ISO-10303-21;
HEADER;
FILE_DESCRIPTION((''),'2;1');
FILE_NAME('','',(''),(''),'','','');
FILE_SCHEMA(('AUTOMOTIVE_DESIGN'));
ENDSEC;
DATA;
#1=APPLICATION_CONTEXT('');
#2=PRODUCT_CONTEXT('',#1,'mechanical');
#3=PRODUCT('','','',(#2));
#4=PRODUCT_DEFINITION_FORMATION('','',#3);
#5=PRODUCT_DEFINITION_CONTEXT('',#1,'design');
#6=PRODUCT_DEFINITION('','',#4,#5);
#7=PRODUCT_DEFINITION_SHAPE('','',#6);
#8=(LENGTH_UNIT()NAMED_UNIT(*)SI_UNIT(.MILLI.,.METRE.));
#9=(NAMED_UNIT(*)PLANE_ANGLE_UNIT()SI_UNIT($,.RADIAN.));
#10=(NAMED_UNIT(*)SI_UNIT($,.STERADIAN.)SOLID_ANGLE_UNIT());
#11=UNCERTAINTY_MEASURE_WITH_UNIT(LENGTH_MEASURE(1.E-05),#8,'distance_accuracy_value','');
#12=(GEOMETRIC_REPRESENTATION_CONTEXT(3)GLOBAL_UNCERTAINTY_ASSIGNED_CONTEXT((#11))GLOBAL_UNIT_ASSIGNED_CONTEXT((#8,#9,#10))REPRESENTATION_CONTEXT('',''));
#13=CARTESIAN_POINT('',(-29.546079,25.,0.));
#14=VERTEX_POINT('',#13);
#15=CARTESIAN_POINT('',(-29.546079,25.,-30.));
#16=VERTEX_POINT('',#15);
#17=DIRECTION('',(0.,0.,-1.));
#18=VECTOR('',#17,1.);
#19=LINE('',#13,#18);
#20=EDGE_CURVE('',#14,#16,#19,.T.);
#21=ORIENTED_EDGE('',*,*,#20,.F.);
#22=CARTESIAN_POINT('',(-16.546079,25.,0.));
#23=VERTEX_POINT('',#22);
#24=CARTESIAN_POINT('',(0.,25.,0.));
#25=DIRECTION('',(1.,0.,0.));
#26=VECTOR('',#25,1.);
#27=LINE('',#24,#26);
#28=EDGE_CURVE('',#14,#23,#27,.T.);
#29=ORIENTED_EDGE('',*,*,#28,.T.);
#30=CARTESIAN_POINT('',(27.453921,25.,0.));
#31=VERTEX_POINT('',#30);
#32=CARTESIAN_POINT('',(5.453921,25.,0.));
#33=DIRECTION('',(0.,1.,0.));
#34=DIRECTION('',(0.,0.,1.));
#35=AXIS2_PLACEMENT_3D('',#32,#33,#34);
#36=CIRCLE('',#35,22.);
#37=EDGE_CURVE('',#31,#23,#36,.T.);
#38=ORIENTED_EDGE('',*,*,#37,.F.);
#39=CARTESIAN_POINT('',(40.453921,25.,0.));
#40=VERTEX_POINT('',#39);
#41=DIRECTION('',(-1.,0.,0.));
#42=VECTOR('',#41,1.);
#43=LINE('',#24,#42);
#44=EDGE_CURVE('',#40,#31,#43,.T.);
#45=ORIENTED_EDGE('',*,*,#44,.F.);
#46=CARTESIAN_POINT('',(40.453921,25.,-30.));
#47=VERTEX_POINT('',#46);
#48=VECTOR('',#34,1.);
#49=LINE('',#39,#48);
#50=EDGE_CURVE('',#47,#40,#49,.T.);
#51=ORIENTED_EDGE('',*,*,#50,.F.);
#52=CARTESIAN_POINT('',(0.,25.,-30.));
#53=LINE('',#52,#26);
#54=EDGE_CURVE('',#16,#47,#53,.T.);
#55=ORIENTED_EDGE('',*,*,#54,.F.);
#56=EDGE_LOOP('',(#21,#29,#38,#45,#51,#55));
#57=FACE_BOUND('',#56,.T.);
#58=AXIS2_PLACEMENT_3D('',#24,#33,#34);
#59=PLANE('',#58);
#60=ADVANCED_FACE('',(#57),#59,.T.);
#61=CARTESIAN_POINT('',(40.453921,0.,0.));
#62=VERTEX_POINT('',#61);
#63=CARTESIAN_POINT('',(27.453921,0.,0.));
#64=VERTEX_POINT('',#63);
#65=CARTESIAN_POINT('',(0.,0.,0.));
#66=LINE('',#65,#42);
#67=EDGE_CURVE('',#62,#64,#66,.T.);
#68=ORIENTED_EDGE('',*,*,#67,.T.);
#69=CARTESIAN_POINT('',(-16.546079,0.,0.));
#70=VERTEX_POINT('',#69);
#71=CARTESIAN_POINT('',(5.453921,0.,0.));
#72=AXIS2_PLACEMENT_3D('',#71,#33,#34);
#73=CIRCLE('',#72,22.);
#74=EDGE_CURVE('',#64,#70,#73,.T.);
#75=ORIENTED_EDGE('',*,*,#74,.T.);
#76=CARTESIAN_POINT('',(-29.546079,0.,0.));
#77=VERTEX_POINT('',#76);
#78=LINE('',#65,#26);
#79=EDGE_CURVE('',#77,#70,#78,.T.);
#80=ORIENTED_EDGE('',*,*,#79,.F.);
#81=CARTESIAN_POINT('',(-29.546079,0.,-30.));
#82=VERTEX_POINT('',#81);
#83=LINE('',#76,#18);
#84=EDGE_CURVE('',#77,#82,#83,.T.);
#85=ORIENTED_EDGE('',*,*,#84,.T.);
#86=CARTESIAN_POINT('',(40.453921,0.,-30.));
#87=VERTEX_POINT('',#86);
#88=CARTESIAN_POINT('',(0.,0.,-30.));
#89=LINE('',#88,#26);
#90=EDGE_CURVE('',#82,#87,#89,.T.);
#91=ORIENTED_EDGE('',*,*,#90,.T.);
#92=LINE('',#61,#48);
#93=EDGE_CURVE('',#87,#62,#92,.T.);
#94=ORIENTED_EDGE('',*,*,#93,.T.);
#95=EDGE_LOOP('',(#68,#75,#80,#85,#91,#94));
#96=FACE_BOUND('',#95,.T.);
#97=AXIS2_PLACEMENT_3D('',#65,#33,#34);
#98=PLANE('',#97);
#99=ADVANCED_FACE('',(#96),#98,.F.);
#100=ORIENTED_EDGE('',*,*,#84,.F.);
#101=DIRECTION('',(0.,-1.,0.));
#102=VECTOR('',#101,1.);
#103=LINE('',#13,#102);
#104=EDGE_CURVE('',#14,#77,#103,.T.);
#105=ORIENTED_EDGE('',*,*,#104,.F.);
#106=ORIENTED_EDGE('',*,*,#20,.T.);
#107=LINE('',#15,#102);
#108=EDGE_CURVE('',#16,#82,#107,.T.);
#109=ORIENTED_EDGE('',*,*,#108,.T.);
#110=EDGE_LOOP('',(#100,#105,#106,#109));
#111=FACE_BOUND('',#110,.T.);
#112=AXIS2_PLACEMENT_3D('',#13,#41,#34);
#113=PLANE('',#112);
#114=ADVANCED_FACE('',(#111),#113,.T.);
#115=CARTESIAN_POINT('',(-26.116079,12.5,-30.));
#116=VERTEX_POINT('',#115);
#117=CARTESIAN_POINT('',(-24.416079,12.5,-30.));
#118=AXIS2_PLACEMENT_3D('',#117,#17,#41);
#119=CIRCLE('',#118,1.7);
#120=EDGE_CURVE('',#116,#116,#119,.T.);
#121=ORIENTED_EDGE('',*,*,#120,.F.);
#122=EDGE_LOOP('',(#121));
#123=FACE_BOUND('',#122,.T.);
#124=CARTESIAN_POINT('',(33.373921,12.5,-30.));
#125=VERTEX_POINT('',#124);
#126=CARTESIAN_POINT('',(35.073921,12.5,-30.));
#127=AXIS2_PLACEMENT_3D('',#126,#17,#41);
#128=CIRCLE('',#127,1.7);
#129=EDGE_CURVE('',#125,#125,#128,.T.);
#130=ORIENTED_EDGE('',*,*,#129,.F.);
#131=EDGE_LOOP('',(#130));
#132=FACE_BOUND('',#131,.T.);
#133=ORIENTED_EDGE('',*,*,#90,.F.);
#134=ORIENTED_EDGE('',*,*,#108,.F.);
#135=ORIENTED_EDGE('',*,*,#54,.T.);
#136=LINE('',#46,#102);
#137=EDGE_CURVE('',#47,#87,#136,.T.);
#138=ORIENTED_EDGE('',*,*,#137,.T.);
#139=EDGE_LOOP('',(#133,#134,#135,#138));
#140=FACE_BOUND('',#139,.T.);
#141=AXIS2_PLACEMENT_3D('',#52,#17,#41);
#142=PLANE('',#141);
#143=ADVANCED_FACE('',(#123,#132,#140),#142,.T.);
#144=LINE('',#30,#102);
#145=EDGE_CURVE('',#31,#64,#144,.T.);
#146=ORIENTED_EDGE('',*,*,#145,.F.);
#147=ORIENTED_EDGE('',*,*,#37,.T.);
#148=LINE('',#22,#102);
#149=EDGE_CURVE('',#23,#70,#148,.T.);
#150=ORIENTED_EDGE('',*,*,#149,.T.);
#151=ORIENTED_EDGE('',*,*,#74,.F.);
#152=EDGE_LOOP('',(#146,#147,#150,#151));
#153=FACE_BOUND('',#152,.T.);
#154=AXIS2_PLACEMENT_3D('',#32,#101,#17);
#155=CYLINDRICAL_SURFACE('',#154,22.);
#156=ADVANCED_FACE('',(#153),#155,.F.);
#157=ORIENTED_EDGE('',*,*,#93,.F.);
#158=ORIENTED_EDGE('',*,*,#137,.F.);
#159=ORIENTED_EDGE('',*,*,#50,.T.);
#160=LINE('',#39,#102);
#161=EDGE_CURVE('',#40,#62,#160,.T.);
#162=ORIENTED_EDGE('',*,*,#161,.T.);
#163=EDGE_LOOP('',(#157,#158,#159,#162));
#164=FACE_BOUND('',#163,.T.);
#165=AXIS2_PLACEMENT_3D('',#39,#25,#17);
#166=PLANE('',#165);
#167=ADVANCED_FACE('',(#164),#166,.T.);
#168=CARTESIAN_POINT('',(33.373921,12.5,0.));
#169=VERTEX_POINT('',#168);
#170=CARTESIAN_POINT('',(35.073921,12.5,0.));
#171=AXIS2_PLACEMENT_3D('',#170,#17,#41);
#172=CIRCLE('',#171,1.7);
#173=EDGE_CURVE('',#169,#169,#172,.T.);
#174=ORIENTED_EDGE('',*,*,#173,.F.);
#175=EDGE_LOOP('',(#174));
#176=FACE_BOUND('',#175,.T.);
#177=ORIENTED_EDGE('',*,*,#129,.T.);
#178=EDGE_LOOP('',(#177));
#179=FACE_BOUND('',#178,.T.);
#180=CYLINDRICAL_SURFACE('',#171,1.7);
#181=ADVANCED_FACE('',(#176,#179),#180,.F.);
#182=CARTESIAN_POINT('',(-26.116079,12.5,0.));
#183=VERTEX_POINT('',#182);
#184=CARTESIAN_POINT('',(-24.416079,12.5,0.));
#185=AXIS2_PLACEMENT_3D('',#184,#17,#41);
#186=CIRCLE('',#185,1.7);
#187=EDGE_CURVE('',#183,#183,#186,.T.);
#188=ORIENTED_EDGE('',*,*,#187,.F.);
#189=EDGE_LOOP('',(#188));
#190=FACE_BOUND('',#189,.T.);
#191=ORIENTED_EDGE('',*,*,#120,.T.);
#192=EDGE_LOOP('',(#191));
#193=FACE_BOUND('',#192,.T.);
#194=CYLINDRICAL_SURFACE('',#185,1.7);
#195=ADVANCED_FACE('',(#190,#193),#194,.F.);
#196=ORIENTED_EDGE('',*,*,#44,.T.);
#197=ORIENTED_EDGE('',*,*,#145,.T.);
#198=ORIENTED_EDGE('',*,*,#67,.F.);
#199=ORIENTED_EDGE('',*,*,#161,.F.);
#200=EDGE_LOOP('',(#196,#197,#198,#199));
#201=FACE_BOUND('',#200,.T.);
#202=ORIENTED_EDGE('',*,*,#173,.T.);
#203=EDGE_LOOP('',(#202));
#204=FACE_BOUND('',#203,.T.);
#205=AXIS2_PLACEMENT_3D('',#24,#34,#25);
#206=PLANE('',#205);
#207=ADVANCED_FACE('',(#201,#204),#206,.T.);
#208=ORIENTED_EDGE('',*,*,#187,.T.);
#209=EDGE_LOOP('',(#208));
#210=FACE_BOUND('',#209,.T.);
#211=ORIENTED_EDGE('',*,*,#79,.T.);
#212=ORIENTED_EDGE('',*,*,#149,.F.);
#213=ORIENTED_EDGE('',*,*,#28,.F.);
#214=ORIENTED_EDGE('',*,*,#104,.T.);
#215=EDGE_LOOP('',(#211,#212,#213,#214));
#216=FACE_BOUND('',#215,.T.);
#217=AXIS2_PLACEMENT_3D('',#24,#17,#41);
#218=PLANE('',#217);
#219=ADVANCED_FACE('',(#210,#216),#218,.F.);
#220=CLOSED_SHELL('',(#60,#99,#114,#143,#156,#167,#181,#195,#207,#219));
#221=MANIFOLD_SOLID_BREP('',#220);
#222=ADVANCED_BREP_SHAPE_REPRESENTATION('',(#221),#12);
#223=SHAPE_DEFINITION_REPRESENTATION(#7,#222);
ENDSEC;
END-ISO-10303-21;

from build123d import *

# Parameters (mm, degrees)
BOSS_EXTRUDE1_DEPTH = 25
SKETCH3_R           = 1.7
BOSS_EXTRUDE2_DEPTH = 30
SKETCH3_2_R         = 1.7
CUT_EXTRUDE1_DEPTH  = 30


with BuildPart() as part:
    # Sketch1 → Boss-Extrude1 (new body)
    with BuildSketch(Plane(origin=(0, 0, 0), x_dir=(1, 0, 0), z_dir=(0, 1, 0))):
        with BuildLine():
            Line((-29.546079231, 30), (-29.546079231, 0))
            Line((-29.546079231, 0), (-16.546079231, 0))
            ThreePointArc((-16.546079231, 0), (5.453920769, 22), (27.453920769, 0))
            Line((27.453920769, 0), (40.453920769, 0))
            Line((40.453920769, 0), (40.453920769, 30))
            Line((40.453920769, 30), (-29.546079231, 30))
        make_face()
    extrude(amount=BOSS_EXTRUDE1_DEPTH)

    # Sketch3 → Boss-Extrude2 (add)
    with BuildSketch(Plane(origin=(0, 0, -30), x_dir=(-1, 0, 0), z_dir=(0, 0, -1))):
        with Locations((-35.073920769, 12.5)):
            Circle(SKETCH3_R)
        with Locations((24.416079231, 12.5)):
            Circle(SKETCH3_R)
    extrude(amount=-BOSS_EXTRUDE2_DEPTH)

    # Sketch3<2> → Cut-Extrude1 (cut)
    with BuildSketch(Plane(origin=(0, 0, -30), x_dir=(-1, 0, 0), z_dir=(0, 0, -1))):
        with Locations((-35.073920769, 12.5)):
            Circle(SKETCH3_2_R)
        with Locations((24.416079231, 12.5)):
            Circle(SKETCH3_2_R)
    extrude(amount=-CUT_EXTRUDE1_DEPTH, mode=Mode.SUBTRACT)


solid = part.part
